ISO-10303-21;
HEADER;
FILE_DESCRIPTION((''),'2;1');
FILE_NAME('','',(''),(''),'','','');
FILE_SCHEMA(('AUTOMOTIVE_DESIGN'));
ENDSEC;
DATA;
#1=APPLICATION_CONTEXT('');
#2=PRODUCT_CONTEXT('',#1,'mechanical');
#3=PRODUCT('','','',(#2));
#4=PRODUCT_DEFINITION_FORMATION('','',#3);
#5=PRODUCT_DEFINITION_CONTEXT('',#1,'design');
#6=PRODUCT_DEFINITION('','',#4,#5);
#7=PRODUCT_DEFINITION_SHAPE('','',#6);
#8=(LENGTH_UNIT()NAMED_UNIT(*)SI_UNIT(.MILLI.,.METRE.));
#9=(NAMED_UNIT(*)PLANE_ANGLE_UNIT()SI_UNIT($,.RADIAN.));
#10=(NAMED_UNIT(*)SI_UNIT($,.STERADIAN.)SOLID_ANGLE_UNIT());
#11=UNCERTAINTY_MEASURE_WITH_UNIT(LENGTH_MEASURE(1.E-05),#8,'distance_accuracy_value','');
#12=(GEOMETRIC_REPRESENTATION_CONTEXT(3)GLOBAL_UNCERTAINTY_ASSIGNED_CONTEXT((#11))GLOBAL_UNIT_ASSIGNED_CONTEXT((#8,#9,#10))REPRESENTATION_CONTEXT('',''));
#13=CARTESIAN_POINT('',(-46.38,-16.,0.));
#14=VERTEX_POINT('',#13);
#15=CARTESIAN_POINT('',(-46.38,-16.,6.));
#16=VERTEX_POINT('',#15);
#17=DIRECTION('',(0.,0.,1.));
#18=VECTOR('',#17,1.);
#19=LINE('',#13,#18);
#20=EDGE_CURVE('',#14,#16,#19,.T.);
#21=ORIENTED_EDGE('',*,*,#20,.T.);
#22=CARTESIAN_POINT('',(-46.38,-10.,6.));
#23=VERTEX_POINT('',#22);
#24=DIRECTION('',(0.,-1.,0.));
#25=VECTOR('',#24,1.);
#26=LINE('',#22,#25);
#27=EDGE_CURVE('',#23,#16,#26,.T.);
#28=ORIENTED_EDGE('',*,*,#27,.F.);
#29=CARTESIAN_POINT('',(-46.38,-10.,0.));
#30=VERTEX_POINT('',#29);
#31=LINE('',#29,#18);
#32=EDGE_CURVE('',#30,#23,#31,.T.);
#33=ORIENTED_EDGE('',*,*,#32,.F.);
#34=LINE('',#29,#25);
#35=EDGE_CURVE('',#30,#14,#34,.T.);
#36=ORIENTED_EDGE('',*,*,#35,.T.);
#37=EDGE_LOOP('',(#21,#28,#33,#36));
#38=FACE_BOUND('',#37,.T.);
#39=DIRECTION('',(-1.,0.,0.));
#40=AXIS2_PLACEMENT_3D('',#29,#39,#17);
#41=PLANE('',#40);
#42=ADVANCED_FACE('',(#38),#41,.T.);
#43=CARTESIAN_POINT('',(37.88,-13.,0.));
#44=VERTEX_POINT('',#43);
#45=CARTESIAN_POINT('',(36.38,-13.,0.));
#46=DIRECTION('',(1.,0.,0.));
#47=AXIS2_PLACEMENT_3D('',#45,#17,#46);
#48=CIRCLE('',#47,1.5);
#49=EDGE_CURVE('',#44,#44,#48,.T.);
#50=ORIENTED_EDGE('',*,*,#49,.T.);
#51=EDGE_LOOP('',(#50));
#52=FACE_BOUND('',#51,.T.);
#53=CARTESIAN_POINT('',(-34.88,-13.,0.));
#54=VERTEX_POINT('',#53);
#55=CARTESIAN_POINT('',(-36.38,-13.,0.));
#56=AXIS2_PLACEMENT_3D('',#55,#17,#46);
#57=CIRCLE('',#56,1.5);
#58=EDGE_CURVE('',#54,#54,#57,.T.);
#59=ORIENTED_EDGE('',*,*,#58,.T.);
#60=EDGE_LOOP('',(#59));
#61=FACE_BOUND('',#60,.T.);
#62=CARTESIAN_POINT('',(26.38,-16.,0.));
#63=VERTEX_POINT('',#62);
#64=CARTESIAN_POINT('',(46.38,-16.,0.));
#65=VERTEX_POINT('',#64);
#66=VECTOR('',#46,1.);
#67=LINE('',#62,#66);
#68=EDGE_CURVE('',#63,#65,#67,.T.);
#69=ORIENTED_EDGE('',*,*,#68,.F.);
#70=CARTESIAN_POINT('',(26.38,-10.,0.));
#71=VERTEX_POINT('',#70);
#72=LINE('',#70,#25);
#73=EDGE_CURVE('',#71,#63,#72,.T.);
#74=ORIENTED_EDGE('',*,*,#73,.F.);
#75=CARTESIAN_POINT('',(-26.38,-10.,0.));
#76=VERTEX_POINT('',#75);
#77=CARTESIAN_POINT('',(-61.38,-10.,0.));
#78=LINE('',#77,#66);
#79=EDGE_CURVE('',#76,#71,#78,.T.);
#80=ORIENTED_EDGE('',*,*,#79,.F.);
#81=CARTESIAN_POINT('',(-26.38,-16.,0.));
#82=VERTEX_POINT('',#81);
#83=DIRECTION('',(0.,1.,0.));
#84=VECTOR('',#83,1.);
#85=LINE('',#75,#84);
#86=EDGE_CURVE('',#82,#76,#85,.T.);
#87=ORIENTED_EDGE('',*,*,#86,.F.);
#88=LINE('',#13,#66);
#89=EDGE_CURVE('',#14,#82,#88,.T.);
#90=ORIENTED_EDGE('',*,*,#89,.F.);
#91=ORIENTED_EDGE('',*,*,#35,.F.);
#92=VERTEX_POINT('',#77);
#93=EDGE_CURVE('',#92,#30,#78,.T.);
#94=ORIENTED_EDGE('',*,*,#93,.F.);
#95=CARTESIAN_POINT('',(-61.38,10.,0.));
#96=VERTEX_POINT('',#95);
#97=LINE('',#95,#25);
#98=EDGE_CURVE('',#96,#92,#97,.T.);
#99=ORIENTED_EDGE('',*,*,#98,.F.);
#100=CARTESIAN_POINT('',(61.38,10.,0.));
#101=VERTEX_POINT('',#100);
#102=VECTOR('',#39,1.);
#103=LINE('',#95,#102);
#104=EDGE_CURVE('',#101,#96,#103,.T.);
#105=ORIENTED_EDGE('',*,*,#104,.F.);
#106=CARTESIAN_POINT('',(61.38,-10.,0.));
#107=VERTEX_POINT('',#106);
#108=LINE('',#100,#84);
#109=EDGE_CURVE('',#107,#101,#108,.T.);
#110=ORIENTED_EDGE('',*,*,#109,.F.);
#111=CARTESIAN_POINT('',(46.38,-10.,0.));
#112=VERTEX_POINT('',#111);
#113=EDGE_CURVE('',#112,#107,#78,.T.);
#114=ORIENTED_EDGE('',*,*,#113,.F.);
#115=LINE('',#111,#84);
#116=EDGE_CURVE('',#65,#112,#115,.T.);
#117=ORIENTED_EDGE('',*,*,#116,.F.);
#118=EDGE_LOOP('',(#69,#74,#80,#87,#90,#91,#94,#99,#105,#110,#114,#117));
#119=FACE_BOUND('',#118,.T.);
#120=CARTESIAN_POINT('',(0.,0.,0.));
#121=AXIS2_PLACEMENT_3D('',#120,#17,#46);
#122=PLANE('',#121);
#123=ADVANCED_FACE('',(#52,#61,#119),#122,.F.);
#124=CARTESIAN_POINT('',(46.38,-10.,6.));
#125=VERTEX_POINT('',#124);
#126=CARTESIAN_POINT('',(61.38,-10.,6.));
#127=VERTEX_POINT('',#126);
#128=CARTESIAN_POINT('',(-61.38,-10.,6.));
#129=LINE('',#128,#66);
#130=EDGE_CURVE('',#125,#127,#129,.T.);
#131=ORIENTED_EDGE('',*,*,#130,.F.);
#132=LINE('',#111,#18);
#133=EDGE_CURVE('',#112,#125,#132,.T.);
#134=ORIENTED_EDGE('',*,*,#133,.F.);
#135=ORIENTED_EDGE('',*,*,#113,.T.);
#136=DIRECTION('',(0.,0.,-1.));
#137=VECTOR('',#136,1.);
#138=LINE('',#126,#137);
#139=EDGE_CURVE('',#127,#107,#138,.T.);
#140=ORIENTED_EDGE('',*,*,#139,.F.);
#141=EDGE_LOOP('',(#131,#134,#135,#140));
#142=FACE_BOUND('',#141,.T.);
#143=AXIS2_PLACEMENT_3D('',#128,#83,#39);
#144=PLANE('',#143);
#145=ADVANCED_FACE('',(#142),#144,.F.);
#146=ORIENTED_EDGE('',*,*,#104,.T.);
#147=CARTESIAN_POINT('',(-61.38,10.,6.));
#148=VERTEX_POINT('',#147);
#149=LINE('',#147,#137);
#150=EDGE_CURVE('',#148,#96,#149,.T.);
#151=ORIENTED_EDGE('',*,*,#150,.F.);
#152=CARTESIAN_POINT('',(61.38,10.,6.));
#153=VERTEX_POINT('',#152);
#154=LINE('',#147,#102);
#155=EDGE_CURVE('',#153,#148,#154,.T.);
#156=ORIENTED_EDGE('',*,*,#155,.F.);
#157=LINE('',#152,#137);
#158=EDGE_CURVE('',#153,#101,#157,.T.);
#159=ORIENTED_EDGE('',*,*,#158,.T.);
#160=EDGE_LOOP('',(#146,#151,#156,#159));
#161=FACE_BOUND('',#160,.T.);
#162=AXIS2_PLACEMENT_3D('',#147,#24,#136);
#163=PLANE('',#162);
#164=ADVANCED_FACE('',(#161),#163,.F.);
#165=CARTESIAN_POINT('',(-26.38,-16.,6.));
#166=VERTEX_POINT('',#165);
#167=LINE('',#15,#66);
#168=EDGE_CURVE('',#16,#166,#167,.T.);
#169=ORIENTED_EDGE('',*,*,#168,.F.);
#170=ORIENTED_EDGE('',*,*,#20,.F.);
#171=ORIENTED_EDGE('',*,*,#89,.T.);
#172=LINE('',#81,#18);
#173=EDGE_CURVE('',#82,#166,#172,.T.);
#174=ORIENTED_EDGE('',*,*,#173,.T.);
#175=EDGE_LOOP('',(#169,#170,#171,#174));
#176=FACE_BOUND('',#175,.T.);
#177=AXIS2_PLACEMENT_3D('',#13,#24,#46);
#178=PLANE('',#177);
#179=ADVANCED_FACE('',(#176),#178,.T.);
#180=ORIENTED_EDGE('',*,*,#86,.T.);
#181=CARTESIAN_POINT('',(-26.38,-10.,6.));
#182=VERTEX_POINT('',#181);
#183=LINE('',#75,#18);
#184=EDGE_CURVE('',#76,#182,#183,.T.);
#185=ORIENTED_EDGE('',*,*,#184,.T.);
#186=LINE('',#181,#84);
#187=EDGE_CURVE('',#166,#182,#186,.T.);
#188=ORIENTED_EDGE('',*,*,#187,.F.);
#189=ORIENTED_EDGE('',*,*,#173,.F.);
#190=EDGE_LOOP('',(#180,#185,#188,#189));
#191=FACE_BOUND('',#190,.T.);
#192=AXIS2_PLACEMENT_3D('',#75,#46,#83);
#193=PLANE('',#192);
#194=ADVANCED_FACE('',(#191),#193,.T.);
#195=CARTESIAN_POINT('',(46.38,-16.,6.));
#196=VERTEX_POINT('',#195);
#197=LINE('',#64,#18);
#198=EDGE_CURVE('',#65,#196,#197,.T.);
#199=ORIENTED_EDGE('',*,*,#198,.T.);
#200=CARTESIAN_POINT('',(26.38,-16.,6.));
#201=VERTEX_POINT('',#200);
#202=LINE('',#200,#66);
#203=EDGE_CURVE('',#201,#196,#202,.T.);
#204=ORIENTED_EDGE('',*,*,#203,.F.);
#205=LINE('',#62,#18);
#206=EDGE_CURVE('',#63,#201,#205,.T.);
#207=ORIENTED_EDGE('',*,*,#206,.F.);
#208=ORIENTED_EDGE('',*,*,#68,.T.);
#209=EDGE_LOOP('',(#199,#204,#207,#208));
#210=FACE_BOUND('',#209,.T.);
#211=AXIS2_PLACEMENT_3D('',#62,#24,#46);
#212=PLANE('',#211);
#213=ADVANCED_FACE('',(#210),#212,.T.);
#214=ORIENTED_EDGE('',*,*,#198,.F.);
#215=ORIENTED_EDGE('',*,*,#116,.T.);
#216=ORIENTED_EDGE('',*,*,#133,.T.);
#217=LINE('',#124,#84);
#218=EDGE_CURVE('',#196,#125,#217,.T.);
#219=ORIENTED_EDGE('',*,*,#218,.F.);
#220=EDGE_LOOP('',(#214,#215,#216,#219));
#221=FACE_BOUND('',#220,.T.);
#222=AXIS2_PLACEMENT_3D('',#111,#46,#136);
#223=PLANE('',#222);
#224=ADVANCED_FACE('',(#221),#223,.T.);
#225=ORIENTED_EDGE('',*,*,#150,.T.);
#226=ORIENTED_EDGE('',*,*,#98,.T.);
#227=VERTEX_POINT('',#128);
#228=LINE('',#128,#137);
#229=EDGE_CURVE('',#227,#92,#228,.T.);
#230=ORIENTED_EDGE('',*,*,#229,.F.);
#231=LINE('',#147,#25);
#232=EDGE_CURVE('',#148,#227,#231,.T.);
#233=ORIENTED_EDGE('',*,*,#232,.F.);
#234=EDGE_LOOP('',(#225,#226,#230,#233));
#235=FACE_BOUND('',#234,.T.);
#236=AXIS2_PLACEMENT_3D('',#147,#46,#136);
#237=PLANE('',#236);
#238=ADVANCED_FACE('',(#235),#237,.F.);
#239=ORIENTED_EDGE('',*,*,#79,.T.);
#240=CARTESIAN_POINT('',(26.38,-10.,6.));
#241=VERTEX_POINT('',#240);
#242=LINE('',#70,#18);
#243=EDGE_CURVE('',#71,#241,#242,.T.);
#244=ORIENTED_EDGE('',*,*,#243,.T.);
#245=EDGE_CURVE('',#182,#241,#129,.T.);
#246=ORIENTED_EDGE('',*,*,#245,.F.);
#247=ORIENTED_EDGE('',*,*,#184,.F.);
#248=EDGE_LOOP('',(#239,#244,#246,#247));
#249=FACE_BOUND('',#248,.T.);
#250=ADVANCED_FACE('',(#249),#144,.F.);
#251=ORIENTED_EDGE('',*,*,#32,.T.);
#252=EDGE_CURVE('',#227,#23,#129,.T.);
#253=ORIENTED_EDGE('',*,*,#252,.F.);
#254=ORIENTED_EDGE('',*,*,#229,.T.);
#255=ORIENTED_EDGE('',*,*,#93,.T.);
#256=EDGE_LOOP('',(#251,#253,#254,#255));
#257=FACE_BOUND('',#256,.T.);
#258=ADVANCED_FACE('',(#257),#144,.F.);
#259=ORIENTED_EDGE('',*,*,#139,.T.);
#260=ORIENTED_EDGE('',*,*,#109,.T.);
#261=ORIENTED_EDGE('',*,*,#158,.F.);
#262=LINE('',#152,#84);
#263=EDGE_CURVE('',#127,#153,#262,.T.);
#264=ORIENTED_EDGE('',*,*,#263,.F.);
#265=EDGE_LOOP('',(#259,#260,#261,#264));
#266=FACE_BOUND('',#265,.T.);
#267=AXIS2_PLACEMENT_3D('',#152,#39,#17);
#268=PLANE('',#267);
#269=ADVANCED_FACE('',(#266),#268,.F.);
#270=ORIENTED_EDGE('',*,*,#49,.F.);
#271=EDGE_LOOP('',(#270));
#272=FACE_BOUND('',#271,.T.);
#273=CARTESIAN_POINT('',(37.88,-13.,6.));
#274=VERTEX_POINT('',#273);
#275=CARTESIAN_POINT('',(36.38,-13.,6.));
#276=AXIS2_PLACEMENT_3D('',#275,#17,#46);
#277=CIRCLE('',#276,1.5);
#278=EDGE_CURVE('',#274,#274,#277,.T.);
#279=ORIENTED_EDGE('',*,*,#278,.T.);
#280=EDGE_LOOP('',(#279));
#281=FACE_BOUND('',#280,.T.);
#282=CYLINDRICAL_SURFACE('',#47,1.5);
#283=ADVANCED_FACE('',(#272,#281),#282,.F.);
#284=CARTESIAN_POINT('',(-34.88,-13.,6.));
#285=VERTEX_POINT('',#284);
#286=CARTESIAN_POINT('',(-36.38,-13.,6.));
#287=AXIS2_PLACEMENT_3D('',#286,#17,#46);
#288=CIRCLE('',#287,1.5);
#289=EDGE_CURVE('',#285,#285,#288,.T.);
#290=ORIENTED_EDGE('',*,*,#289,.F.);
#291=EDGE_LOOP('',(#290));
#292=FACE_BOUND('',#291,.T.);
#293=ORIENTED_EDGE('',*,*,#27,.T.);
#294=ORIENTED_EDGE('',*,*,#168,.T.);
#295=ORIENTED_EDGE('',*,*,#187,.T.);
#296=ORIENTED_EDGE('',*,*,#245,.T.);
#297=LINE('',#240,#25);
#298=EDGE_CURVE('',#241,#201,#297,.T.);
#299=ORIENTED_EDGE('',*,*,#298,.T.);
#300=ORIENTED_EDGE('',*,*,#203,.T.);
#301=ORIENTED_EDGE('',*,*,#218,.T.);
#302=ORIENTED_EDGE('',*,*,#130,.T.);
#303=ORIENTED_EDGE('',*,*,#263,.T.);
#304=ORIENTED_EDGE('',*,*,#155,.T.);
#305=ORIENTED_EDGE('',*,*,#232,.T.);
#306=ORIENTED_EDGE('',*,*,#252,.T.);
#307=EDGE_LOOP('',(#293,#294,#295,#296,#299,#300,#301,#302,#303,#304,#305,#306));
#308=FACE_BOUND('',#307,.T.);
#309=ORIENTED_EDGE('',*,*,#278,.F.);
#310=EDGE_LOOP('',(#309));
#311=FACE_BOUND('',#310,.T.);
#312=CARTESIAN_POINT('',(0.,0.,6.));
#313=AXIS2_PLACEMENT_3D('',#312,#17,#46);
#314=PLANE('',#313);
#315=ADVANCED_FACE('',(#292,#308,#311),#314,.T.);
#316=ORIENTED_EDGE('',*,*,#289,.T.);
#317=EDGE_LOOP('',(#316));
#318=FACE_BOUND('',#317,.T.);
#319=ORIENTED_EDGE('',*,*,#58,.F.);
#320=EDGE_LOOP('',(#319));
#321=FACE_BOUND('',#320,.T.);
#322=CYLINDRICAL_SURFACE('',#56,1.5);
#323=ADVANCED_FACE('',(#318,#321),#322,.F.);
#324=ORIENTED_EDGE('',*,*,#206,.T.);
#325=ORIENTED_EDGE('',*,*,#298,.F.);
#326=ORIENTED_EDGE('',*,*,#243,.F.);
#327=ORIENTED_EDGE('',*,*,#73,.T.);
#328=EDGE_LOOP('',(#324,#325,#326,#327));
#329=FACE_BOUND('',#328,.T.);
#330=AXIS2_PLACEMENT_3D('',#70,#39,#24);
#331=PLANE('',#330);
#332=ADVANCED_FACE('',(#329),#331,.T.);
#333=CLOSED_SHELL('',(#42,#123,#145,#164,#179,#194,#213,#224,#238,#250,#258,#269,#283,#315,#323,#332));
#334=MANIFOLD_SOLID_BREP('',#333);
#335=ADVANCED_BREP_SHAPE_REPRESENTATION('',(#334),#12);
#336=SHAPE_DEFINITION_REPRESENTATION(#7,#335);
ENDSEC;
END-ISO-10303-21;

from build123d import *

# Parameters (mm, degrees)
ESQUISSE1_W             = 122.76
ESQUISSE1_H             = 20
BOSS_EXTRU_1_DEPTH      = 6
ESQUISSE2_W             = 20
ESQUISSE2_H             = 6
BOSS_EXTRU_2_DEPTH      = 6
ESQUISSE3_R             = 1.5
ENL_V_MAT_EXTRU_1_DEPTH = 6


with BuildPart() as part:
    # Esquisse1 → Boss.-Extru.1 (new body)
    with BuildSketch(Plane.XY):
        Rectangle(ESQUISSE1_W, ESQUISSE1_H)
    extrude(amount=BOSS_EXTRU_1_DEPTH)

    # Esquisse2 → Boss.-Extru.2 (add)
    with BuildSketch(Plane.XY.offset(6)):
        with Locations((-36.38, -13)):
            Rectangle(ESQUISSE2_W, ESQUISSE2_H)
        with Locations((36.38, -13)):
            Rectangle(ESQUISSE2_W, ESQUISSE2_H)
    extrude(amount=-BOSS_EXTRU_2_DEPTH)

    # Esquisse3 → Enlèv. mat.-Extru.1 (cut)
    with BuildSketch(Plane.XY.offset(6)):
        with Locations((-36.38, -13)):
            Circle(ESQUISSE3_R)
        with Locations((36.38, -13)):
            Circle(ESQUISSE3_R)
    extrude(amount=-ENL_V_MAT_EXTRU_1_DEPTH, mode=Mode.SUBTRACT)


solid = part.part
